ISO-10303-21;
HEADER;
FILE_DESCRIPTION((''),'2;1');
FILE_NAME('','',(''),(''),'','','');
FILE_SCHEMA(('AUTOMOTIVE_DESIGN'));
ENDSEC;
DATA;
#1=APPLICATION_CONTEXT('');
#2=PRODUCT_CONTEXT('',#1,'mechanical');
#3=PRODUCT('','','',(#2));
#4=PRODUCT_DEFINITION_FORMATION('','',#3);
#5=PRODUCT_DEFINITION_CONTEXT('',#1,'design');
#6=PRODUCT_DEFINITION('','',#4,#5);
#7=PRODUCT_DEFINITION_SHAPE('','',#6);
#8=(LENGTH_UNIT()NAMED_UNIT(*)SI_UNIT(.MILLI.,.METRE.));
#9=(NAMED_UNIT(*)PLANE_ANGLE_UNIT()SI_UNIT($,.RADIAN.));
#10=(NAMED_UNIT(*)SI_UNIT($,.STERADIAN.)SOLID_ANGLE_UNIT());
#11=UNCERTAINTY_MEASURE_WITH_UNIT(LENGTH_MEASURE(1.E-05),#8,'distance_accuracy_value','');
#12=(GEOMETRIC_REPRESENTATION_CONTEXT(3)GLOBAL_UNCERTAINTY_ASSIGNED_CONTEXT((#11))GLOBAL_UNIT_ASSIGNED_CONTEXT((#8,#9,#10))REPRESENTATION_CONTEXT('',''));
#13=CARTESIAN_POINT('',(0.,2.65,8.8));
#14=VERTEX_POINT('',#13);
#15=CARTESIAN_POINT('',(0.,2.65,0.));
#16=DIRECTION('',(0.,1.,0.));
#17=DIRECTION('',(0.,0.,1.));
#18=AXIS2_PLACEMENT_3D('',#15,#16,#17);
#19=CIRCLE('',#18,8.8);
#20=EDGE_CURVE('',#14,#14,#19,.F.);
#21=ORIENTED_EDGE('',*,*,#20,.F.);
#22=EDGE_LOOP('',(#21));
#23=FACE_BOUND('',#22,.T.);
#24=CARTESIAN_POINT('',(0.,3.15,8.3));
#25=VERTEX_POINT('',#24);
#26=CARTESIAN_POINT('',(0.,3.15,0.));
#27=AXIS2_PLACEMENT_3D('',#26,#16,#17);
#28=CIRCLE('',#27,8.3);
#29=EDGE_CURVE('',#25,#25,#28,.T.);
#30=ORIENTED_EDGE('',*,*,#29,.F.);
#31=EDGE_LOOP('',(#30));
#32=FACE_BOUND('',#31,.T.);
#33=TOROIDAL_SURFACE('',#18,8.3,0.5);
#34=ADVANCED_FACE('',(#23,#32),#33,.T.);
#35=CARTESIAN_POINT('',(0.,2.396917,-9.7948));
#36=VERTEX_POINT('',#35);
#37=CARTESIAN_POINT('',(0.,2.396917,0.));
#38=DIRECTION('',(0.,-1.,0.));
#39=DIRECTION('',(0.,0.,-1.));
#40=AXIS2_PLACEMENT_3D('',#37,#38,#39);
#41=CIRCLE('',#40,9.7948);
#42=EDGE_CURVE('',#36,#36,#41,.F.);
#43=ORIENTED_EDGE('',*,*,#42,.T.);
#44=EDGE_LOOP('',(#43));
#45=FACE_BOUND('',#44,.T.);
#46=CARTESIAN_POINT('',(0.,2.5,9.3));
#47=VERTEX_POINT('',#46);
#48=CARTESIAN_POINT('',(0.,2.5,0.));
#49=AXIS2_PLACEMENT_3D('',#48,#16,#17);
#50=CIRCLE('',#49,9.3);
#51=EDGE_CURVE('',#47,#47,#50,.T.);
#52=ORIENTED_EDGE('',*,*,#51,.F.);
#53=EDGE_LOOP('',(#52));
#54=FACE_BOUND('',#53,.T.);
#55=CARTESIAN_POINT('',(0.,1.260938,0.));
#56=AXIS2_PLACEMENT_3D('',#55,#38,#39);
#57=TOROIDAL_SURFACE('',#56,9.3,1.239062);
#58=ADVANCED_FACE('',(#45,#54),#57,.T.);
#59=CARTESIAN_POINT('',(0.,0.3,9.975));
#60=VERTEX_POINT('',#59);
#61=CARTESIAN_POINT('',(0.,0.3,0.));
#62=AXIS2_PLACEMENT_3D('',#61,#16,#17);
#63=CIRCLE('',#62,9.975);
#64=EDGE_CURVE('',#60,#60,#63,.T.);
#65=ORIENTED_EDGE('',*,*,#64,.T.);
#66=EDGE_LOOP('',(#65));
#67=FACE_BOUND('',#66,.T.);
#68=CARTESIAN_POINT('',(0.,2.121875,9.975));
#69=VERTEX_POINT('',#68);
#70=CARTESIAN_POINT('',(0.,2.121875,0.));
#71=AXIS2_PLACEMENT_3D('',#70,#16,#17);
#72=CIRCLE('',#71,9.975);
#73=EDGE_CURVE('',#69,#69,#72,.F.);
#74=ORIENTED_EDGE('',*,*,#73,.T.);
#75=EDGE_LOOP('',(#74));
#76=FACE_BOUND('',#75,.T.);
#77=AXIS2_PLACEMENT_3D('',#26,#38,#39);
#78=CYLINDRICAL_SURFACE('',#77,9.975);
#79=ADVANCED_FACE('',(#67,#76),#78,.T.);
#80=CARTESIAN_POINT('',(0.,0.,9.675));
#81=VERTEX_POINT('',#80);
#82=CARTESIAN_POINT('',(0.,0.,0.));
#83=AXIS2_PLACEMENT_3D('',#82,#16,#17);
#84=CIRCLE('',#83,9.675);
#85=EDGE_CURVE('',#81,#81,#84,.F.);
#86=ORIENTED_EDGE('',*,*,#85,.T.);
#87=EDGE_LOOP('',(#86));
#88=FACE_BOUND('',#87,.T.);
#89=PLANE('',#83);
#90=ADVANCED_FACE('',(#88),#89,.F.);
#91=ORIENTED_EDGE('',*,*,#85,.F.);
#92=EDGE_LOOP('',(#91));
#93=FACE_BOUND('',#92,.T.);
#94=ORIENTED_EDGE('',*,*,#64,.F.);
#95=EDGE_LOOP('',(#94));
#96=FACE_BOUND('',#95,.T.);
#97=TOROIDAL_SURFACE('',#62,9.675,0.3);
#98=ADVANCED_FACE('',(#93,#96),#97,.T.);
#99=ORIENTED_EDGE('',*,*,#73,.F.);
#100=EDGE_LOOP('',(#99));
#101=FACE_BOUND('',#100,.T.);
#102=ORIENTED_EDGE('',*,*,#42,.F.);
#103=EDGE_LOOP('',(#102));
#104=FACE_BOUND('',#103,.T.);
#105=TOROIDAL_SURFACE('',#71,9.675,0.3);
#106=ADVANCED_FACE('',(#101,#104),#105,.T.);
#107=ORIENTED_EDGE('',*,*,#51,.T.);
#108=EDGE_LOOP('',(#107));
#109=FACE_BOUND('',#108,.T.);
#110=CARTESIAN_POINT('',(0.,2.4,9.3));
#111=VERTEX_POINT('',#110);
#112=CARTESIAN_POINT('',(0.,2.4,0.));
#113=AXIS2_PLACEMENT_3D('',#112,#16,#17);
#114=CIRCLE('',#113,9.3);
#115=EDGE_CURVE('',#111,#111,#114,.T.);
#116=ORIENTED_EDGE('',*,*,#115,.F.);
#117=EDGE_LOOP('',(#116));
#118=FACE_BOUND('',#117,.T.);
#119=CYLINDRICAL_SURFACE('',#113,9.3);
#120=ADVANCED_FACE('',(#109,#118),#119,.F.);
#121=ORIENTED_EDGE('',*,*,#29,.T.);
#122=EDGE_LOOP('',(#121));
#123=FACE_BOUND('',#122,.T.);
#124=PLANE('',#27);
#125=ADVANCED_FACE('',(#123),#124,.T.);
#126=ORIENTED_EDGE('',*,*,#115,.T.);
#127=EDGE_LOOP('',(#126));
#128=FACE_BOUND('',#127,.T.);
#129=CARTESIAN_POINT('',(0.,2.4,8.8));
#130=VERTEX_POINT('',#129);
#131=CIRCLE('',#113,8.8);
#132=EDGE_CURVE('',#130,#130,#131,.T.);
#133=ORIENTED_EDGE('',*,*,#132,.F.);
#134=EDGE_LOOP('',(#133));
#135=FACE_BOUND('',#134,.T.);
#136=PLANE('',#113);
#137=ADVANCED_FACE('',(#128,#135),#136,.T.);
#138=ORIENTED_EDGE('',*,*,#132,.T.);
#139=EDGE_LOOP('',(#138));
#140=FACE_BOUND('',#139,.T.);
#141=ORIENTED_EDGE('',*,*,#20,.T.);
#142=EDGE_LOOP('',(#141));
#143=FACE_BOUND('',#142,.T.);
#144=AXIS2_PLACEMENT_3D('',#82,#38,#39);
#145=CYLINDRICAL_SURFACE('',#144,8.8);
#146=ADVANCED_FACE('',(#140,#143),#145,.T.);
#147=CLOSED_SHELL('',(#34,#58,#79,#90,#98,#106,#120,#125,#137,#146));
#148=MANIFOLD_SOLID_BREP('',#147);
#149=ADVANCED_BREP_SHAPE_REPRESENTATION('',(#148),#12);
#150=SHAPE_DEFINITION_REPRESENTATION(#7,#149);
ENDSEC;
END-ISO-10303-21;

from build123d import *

# Parameters (mm, degrees)
SKETCH1_R           = 9.975
BOSS_EXTRUDE1_DEPTH = 3.15
FILLET1_R           = 0.5
CUT_EXTRUDE1_START  = -0.1
SKETCH3_R           = 9.3
SKETCH3_R_2         = 8.8
CUT_EXTRUDE1_DEPTH  = 0.1
FILLET2_R           = 0.3


with BuildPart() as part:
    # Sketch1 → Boss-Extrude1 (new body)
    with BuildSketch(Plane(origin=(0, 0, 0), x_dir=(1, 0, 0), z_dir=(0, 1, 0))):
        with Locations(Location((0, 0, 0), (0, 0, 270))):
            Circle(SKETCH1_R)
    extrude(amount=BOSS_EXTRUDE1_DEPTH)

    # Sketch2 → Cut-Revolve1 (revolve, cut)
    with BuildSketch(Plane.XY, mode=Mode.PRIVATE) as cut_revolve1_sk:
        with BuildLine():
            Line((8.8, 3.15), (8.8, 2.5))
            Line((8.8, 2.5), (9.3, 2.5))
            ThreePointArc((9.3, 2.5), (9.652003196, 2.448948287), (9.975, 2.3))
            Line((9.975, 2.3), (9.975, 3.15))
            Line((9.975, 3.15), (8.8, 3.15))
        make_face()
    revolve(cut_revolve1_sk.sketch.rotate(Axis((0, 0, 0), (0, 1, 0)), 90), axis=Axis((0, 0, 0), (0, 1, 0)), mode=Mode.SUBTRACT)

    # Fillet1
    fillet1_edges = [part.edges().sort_by_distance(p)[0] for p in [
        (0, 3.15, 8.8),
    ]]
    fillet(fillet1_edges, radius=FILLET1_R)

    # Sketch3 → Cut-Extrude1 (cut)
    with BuildSketch(Plane(origin=(0, 2.5, 0), x_dir=(1, 0, 0), z_dir=(0, 1, 0)).offset(CUT_EXTRUDE1_START)):
        with Locations(Location((0, 0, 0), (0, 0, 270))):
            Circle(SKETCH3_R)
        with Locations(Location((0, 0, 0), (0, 0, 270))):
            Circle(SKETCH3_R_2, mode=Mode.SUBTRACT)
    extrude(amount=CUT_EXTRUDE1_DEPTH, mode=Mode.SUBTRACT)

    # Fillet2
    fillet2_edges = [part.edges().sort_by_distance(p)[0] for p in [
        (0, 0, -9.975),
        (-9.975, 2.3, 0),
    ]]
    fillet(fillet2_edges, radius=FILLET2_R)


solid = part.part
